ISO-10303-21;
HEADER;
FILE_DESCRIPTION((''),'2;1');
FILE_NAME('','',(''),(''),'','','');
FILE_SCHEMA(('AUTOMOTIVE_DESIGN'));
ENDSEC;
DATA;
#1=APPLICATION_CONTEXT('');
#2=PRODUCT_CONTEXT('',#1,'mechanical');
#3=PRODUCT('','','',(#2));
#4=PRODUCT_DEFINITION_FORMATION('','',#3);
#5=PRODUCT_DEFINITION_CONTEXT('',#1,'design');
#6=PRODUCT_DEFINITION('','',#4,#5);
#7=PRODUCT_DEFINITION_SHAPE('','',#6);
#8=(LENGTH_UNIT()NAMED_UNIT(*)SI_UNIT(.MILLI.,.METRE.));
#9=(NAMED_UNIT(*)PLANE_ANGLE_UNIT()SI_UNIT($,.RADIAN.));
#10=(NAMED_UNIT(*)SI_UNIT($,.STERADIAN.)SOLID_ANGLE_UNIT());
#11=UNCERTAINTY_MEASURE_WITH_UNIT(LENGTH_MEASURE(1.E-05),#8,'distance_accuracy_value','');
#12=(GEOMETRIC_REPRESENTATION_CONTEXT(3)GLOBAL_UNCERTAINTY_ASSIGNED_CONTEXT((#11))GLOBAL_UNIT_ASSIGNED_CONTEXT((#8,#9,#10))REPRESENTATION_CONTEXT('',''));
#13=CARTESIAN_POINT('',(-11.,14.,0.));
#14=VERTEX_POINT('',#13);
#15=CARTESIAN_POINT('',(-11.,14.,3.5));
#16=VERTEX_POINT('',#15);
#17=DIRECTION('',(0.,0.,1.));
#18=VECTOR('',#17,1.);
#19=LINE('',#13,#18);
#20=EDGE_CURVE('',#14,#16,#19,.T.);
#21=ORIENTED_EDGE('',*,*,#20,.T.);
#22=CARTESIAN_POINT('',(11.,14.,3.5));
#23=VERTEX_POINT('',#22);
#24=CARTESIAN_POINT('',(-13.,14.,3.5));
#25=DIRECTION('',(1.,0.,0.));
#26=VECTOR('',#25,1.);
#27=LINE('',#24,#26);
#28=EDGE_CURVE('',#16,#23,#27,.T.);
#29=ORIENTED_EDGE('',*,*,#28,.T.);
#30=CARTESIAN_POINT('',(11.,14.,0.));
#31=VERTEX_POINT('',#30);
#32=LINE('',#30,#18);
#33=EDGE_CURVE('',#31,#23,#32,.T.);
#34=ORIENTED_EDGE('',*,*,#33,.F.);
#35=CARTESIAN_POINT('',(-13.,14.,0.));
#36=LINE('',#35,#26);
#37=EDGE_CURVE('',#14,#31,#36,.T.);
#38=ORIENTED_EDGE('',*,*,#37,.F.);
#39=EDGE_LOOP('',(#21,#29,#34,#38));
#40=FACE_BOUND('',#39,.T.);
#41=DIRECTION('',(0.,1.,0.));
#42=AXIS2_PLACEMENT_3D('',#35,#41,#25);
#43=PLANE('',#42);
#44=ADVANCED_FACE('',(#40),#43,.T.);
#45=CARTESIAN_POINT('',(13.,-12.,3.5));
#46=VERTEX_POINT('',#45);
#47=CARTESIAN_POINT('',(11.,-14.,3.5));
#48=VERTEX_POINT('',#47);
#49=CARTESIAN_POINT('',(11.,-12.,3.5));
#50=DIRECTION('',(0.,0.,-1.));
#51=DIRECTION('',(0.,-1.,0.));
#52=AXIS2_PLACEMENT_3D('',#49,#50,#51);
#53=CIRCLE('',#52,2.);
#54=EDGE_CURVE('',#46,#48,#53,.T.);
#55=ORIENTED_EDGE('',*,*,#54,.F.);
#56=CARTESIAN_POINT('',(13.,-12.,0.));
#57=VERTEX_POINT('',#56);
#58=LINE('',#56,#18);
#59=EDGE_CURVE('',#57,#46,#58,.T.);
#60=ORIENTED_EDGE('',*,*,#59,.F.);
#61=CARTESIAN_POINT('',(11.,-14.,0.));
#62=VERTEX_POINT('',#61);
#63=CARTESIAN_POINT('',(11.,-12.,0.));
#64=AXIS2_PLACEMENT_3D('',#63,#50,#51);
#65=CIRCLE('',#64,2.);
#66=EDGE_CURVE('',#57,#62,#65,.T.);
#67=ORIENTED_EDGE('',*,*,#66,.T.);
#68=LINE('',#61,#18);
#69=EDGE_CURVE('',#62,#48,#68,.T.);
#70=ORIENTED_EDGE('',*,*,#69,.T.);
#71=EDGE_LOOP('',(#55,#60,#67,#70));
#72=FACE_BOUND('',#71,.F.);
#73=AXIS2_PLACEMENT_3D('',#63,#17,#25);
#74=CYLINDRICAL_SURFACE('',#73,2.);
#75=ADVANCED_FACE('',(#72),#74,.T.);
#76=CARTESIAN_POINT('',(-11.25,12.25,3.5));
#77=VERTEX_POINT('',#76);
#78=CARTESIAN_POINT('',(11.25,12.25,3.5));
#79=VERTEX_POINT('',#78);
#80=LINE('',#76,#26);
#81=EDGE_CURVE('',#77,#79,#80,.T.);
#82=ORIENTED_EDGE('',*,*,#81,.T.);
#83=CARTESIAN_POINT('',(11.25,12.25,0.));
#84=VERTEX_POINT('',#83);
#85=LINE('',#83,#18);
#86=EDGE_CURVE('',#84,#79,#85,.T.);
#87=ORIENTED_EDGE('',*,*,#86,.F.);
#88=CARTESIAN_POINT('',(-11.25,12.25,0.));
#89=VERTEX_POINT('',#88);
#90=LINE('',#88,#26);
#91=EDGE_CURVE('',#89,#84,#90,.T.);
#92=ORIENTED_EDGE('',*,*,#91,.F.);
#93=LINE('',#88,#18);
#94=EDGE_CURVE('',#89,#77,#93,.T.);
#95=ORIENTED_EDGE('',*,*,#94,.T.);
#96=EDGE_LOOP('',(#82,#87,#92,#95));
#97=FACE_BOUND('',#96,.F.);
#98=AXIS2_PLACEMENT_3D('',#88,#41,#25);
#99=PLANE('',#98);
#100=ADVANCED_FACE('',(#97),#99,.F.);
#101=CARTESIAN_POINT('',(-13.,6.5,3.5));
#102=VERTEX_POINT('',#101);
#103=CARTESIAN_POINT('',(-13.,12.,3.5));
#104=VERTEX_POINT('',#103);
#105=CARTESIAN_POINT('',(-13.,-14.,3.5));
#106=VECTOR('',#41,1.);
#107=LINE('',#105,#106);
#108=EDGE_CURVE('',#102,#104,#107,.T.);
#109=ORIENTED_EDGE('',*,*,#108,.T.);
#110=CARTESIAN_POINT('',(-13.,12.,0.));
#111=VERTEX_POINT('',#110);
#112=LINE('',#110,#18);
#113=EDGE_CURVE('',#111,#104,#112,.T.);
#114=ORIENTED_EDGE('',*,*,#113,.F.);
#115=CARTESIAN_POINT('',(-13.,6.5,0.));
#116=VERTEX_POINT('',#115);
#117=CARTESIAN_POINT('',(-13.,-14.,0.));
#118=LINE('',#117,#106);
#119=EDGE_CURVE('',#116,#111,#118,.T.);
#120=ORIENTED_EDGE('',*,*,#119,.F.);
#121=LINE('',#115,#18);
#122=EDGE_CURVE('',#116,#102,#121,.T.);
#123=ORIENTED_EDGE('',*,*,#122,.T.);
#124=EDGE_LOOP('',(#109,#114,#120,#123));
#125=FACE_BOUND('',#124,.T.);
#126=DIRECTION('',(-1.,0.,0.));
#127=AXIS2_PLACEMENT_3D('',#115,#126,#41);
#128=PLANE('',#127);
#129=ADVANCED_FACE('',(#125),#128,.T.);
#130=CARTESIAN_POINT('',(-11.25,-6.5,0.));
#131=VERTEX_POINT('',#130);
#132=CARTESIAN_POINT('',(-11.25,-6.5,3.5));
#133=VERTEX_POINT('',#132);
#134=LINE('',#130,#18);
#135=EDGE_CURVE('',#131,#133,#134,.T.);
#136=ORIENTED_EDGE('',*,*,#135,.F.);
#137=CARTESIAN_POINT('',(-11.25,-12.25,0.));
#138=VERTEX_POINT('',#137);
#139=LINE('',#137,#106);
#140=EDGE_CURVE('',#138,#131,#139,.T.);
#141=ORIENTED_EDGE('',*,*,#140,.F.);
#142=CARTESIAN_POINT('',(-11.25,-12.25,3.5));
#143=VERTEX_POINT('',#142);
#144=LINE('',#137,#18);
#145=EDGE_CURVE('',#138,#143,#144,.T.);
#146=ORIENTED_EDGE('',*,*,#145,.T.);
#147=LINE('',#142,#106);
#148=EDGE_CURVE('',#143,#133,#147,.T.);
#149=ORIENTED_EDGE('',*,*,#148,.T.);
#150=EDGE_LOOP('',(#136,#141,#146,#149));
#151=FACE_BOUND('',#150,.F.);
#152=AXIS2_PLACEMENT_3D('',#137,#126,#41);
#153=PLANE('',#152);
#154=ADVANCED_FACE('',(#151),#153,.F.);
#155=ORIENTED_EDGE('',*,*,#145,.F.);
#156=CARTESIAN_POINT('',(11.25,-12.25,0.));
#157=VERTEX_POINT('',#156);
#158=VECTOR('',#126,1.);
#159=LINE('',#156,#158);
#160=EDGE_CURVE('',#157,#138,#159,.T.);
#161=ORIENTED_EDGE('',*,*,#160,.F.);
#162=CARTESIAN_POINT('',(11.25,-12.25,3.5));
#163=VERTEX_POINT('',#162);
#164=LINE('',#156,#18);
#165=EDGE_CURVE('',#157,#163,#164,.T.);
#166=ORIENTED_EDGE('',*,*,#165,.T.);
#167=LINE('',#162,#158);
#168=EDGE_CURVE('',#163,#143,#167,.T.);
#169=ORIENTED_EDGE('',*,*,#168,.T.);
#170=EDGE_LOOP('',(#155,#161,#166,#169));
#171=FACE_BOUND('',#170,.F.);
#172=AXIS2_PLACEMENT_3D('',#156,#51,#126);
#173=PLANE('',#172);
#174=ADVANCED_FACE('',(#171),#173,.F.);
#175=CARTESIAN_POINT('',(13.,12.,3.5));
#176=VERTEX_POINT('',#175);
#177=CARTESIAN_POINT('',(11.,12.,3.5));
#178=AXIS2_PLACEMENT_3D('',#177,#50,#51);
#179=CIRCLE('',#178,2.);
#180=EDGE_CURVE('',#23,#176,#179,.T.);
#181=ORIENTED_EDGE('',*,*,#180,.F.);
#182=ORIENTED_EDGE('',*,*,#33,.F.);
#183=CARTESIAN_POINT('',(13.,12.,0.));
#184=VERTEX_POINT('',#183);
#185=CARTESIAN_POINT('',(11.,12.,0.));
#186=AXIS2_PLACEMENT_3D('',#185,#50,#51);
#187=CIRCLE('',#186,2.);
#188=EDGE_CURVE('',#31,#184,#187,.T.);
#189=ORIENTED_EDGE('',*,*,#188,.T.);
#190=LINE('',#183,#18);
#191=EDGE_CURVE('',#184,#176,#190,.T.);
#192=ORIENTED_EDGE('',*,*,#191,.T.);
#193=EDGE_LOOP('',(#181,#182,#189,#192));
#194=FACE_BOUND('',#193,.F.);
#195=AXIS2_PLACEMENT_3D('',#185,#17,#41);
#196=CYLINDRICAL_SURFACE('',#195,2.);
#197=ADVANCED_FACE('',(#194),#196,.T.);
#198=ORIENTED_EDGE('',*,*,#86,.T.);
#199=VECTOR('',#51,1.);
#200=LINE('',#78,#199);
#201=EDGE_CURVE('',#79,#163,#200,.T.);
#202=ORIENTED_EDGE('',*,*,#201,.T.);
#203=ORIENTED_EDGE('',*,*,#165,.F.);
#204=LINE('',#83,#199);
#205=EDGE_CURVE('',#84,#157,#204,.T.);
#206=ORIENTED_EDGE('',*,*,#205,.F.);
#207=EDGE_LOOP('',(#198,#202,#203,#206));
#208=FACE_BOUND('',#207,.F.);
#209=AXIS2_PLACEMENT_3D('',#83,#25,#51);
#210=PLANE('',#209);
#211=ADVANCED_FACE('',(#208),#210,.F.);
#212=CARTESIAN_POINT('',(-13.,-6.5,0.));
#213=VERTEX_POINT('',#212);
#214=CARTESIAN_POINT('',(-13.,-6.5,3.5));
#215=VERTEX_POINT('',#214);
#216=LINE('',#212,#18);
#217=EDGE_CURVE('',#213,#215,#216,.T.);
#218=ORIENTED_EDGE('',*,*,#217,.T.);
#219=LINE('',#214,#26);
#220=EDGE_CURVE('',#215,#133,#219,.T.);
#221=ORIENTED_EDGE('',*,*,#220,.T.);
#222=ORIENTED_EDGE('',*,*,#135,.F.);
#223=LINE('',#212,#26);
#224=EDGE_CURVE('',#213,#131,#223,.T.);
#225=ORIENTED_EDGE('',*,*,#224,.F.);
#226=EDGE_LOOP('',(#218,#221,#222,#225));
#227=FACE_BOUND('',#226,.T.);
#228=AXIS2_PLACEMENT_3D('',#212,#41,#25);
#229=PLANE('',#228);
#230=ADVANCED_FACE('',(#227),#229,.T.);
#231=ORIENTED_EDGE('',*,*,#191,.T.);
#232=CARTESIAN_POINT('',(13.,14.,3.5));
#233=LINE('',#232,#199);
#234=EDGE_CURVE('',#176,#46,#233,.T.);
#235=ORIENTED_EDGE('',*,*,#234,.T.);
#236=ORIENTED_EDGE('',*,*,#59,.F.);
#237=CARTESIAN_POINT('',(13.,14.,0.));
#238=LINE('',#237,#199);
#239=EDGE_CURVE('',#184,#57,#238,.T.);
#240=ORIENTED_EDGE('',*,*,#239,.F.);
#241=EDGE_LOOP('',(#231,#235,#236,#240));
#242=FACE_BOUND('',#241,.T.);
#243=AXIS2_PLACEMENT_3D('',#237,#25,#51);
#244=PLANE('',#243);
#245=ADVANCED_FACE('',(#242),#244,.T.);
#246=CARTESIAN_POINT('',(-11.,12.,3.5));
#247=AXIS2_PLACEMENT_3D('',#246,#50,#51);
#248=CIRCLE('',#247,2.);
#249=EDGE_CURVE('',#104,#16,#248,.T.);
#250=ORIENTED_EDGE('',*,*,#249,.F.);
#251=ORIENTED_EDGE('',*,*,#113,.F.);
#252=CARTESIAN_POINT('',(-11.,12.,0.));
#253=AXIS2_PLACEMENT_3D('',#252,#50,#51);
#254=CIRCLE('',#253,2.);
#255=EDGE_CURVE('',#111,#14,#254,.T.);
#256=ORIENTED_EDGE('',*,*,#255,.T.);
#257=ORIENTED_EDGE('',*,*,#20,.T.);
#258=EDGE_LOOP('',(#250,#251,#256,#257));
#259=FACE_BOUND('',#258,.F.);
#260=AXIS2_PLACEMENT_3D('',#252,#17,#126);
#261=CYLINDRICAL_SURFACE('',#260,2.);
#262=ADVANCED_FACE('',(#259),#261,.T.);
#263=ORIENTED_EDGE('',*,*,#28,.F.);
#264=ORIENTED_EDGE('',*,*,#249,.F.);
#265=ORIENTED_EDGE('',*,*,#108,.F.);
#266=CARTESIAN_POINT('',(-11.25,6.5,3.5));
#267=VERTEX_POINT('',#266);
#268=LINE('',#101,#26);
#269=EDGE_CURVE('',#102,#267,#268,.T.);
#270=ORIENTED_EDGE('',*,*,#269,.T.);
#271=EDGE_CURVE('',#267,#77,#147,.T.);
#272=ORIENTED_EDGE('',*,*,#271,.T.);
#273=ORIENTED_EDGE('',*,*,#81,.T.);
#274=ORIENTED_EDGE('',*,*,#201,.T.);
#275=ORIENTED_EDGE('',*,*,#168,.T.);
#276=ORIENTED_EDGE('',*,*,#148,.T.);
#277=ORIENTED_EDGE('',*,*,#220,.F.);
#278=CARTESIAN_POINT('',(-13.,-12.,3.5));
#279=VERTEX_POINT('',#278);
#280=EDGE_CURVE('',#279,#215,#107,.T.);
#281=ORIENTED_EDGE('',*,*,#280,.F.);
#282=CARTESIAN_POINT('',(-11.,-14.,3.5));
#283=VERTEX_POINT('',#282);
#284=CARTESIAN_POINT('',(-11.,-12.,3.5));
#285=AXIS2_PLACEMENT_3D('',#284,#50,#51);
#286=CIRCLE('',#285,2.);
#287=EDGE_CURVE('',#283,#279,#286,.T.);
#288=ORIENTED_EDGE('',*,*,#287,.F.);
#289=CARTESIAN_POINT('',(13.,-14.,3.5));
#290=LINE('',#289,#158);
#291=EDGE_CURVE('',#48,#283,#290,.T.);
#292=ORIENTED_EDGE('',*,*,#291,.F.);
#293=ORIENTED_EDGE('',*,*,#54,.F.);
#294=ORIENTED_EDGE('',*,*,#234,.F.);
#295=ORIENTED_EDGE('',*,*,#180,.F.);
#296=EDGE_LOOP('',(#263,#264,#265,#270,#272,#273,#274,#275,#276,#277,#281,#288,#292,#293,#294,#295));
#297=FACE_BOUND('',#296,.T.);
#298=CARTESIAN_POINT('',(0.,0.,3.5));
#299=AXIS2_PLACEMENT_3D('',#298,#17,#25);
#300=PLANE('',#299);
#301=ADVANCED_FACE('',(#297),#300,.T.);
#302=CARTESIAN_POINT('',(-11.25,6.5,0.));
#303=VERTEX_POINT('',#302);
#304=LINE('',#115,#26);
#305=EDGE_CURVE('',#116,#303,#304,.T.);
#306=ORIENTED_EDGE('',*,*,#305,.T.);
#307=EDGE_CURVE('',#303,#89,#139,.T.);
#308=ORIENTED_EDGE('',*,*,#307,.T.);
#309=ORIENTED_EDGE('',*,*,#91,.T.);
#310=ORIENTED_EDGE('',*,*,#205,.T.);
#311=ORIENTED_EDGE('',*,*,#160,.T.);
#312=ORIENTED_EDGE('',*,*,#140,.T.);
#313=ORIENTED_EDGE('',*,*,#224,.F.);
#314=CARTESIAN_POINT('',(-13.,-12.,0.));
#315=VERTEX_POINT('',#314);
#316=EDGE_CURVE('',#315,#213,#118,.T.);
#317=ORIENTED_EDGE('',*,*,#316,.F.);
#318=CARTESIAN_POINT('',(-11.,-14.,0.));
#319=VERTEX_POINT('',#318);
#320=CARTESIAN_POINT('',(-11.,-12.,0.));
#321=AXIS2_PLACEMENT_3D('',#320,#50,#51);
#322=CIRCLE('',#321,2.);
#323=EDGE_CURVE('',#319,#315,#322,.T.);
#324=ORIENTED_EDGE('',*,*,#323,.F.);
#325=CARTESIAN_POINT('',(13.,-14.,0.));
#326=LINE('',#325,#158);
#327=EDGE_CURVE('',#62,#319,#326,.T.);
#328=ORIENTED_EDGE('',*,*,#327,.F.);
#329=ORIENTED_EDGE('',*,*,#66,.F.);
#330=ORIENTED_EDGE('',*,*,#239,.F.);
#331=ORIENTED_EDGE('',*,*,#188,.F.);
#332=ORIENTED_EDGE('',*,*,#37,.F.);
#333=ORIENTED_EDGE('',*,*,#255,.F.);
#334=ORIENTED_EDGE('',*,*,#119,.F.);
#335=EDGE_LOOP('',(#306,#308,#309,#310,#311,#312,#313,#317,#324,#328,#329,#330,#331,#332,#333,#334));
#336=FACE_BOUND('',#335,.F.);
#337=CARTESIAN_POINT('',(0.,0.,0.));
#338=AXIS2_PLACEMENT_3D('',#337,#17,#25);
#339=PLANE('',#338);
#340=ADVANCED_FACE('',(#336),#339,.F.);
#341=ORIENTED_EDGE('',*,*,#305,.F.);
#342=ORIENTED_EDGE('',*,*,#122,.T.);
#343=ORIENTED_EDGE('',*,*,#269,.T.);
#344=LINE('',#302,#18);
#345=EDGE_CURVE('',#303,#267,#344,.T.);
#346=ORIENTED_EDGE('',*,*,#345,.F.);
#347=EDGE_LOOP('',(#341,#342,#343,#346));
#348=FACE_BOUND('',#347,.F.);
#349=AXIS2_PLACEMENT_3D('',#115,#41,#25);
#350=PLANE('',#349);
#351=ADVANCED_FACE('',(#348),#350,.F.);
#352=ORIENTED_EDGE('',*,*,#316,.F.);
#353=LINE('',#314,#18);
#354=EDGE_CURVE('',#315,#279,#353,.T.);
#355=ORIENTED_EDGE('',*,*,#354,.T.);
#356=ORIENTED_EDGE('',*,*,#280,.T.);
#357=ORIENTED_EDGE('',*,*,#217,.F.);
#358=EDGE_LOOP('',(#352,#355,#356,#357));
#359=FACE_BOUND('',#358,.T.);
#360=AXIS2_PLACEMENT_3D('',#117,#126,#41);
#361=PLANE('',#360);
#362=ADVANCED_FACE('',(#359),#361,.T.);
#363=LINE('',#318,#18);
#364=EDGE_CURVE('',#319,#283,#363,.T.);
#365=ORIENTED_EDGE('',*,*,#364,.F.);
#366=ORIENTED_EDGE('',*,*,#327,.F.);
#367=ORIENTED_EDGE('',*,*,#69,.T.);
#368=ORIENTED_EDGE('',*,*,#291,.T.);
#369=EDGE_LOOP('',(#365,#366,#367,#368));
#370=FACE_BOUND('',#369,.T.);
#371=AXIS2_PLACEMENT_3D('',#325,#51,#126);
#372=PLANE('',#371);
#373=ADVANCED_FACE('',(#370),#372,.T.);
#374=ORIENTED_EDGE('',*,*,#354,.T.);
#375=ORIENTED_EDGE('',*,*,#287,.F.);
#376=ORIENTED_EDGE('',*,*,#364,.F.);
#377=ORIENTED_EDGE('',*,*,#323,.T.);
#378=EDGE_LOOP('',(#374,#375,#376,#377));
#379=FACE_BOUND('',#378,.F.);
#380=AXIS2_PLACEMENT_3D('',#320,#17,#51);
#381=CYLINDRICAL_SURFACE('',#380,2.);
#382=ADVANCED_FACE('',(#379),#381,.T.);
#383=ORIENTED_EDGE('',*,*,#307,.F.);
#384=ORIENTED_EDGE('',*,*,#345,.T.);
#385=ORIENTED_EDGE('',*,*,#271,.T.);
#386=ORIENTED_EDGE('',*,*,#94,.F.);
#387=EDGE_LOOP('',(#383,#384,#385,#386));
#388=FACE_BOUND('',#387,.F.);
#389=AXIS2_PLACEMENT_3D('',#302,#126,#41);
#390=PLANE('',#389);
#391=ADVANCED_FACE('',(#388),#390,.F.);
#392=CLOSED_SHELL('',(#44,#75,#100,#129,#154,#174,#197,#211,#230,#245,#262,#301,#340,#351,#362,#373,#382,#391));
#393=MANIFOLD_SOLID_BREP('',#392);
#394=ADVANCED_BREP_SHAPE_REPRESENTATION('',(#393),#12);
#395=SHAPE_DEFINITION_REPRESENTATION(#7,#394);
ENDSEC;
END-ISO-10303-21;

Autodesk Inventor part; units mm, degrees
ref_plane "YZ Plane" through (0, 0, 0) normal (1, 0, 0) x (0, 1, 0)
ref_plane "XZ Plane" through (0, 0, 0) normal (0, 1, 0) x (-1, 0, 0)
ref_plane "XY Plane" through (0, 0, 0) normal (0, 0, 1) x (1, 0, 0)
sketch "Sketch1" plane through (0, 0, 0) normal (0, 0, 1) x (1, 0, 0)
  line L0 (-11.25, 12.25) -> (11.25, 12.25)
  line L1 (11.25, 12.25) -> (11.25, -12.25)
  line L2 (11.25, -12.25) -> (-11.25, -12.25)
  line L3 (-11.25, -12.25) -> (-11.25, 12.25)
  line L4 (-13, 14) -> (13, 14)
  line L5 (13, 14) -> (13, -14)
  line L6 (13, -14) -> (-13, -14)
  line L7 (-13, -14) -> (-13, 14)
  line L8 (-13, 6.5) -> (-11.25, 6.5)
  line L9 (-13, -6.5) -> (-11.25, -6.5)
  point P0 (0, 0)
  point P1 (0, 12.25)
  point P2 (-11.25, 0)
  point P3 (-13, 0)
  point P4 (0, 14)
  dimension "d0" = 1.75
  dimension "d1" = 1.75
  dimension "d2" = 24.5
  dimension "d3" = 22.5
  dimension "d4" = 13
  dimension "d5" = 6.5
extrude "Extrusion1" add sketch "Sketch1" along normal blind 3.5 contours L3 L8 L7 L4 L5 L6 L9 L2 L1 L0
fillet "Fillet1" radius 2 4 edges at (-13, -14, 1.75) (-13, 14, 1.75) (13, 14, 1.75) (13, -14, 1.75)
equation "\"d1\" = d0"
equation "\"d5\" = 0.5 * d4"
properties part number "cable_tube_clip_rev1"
